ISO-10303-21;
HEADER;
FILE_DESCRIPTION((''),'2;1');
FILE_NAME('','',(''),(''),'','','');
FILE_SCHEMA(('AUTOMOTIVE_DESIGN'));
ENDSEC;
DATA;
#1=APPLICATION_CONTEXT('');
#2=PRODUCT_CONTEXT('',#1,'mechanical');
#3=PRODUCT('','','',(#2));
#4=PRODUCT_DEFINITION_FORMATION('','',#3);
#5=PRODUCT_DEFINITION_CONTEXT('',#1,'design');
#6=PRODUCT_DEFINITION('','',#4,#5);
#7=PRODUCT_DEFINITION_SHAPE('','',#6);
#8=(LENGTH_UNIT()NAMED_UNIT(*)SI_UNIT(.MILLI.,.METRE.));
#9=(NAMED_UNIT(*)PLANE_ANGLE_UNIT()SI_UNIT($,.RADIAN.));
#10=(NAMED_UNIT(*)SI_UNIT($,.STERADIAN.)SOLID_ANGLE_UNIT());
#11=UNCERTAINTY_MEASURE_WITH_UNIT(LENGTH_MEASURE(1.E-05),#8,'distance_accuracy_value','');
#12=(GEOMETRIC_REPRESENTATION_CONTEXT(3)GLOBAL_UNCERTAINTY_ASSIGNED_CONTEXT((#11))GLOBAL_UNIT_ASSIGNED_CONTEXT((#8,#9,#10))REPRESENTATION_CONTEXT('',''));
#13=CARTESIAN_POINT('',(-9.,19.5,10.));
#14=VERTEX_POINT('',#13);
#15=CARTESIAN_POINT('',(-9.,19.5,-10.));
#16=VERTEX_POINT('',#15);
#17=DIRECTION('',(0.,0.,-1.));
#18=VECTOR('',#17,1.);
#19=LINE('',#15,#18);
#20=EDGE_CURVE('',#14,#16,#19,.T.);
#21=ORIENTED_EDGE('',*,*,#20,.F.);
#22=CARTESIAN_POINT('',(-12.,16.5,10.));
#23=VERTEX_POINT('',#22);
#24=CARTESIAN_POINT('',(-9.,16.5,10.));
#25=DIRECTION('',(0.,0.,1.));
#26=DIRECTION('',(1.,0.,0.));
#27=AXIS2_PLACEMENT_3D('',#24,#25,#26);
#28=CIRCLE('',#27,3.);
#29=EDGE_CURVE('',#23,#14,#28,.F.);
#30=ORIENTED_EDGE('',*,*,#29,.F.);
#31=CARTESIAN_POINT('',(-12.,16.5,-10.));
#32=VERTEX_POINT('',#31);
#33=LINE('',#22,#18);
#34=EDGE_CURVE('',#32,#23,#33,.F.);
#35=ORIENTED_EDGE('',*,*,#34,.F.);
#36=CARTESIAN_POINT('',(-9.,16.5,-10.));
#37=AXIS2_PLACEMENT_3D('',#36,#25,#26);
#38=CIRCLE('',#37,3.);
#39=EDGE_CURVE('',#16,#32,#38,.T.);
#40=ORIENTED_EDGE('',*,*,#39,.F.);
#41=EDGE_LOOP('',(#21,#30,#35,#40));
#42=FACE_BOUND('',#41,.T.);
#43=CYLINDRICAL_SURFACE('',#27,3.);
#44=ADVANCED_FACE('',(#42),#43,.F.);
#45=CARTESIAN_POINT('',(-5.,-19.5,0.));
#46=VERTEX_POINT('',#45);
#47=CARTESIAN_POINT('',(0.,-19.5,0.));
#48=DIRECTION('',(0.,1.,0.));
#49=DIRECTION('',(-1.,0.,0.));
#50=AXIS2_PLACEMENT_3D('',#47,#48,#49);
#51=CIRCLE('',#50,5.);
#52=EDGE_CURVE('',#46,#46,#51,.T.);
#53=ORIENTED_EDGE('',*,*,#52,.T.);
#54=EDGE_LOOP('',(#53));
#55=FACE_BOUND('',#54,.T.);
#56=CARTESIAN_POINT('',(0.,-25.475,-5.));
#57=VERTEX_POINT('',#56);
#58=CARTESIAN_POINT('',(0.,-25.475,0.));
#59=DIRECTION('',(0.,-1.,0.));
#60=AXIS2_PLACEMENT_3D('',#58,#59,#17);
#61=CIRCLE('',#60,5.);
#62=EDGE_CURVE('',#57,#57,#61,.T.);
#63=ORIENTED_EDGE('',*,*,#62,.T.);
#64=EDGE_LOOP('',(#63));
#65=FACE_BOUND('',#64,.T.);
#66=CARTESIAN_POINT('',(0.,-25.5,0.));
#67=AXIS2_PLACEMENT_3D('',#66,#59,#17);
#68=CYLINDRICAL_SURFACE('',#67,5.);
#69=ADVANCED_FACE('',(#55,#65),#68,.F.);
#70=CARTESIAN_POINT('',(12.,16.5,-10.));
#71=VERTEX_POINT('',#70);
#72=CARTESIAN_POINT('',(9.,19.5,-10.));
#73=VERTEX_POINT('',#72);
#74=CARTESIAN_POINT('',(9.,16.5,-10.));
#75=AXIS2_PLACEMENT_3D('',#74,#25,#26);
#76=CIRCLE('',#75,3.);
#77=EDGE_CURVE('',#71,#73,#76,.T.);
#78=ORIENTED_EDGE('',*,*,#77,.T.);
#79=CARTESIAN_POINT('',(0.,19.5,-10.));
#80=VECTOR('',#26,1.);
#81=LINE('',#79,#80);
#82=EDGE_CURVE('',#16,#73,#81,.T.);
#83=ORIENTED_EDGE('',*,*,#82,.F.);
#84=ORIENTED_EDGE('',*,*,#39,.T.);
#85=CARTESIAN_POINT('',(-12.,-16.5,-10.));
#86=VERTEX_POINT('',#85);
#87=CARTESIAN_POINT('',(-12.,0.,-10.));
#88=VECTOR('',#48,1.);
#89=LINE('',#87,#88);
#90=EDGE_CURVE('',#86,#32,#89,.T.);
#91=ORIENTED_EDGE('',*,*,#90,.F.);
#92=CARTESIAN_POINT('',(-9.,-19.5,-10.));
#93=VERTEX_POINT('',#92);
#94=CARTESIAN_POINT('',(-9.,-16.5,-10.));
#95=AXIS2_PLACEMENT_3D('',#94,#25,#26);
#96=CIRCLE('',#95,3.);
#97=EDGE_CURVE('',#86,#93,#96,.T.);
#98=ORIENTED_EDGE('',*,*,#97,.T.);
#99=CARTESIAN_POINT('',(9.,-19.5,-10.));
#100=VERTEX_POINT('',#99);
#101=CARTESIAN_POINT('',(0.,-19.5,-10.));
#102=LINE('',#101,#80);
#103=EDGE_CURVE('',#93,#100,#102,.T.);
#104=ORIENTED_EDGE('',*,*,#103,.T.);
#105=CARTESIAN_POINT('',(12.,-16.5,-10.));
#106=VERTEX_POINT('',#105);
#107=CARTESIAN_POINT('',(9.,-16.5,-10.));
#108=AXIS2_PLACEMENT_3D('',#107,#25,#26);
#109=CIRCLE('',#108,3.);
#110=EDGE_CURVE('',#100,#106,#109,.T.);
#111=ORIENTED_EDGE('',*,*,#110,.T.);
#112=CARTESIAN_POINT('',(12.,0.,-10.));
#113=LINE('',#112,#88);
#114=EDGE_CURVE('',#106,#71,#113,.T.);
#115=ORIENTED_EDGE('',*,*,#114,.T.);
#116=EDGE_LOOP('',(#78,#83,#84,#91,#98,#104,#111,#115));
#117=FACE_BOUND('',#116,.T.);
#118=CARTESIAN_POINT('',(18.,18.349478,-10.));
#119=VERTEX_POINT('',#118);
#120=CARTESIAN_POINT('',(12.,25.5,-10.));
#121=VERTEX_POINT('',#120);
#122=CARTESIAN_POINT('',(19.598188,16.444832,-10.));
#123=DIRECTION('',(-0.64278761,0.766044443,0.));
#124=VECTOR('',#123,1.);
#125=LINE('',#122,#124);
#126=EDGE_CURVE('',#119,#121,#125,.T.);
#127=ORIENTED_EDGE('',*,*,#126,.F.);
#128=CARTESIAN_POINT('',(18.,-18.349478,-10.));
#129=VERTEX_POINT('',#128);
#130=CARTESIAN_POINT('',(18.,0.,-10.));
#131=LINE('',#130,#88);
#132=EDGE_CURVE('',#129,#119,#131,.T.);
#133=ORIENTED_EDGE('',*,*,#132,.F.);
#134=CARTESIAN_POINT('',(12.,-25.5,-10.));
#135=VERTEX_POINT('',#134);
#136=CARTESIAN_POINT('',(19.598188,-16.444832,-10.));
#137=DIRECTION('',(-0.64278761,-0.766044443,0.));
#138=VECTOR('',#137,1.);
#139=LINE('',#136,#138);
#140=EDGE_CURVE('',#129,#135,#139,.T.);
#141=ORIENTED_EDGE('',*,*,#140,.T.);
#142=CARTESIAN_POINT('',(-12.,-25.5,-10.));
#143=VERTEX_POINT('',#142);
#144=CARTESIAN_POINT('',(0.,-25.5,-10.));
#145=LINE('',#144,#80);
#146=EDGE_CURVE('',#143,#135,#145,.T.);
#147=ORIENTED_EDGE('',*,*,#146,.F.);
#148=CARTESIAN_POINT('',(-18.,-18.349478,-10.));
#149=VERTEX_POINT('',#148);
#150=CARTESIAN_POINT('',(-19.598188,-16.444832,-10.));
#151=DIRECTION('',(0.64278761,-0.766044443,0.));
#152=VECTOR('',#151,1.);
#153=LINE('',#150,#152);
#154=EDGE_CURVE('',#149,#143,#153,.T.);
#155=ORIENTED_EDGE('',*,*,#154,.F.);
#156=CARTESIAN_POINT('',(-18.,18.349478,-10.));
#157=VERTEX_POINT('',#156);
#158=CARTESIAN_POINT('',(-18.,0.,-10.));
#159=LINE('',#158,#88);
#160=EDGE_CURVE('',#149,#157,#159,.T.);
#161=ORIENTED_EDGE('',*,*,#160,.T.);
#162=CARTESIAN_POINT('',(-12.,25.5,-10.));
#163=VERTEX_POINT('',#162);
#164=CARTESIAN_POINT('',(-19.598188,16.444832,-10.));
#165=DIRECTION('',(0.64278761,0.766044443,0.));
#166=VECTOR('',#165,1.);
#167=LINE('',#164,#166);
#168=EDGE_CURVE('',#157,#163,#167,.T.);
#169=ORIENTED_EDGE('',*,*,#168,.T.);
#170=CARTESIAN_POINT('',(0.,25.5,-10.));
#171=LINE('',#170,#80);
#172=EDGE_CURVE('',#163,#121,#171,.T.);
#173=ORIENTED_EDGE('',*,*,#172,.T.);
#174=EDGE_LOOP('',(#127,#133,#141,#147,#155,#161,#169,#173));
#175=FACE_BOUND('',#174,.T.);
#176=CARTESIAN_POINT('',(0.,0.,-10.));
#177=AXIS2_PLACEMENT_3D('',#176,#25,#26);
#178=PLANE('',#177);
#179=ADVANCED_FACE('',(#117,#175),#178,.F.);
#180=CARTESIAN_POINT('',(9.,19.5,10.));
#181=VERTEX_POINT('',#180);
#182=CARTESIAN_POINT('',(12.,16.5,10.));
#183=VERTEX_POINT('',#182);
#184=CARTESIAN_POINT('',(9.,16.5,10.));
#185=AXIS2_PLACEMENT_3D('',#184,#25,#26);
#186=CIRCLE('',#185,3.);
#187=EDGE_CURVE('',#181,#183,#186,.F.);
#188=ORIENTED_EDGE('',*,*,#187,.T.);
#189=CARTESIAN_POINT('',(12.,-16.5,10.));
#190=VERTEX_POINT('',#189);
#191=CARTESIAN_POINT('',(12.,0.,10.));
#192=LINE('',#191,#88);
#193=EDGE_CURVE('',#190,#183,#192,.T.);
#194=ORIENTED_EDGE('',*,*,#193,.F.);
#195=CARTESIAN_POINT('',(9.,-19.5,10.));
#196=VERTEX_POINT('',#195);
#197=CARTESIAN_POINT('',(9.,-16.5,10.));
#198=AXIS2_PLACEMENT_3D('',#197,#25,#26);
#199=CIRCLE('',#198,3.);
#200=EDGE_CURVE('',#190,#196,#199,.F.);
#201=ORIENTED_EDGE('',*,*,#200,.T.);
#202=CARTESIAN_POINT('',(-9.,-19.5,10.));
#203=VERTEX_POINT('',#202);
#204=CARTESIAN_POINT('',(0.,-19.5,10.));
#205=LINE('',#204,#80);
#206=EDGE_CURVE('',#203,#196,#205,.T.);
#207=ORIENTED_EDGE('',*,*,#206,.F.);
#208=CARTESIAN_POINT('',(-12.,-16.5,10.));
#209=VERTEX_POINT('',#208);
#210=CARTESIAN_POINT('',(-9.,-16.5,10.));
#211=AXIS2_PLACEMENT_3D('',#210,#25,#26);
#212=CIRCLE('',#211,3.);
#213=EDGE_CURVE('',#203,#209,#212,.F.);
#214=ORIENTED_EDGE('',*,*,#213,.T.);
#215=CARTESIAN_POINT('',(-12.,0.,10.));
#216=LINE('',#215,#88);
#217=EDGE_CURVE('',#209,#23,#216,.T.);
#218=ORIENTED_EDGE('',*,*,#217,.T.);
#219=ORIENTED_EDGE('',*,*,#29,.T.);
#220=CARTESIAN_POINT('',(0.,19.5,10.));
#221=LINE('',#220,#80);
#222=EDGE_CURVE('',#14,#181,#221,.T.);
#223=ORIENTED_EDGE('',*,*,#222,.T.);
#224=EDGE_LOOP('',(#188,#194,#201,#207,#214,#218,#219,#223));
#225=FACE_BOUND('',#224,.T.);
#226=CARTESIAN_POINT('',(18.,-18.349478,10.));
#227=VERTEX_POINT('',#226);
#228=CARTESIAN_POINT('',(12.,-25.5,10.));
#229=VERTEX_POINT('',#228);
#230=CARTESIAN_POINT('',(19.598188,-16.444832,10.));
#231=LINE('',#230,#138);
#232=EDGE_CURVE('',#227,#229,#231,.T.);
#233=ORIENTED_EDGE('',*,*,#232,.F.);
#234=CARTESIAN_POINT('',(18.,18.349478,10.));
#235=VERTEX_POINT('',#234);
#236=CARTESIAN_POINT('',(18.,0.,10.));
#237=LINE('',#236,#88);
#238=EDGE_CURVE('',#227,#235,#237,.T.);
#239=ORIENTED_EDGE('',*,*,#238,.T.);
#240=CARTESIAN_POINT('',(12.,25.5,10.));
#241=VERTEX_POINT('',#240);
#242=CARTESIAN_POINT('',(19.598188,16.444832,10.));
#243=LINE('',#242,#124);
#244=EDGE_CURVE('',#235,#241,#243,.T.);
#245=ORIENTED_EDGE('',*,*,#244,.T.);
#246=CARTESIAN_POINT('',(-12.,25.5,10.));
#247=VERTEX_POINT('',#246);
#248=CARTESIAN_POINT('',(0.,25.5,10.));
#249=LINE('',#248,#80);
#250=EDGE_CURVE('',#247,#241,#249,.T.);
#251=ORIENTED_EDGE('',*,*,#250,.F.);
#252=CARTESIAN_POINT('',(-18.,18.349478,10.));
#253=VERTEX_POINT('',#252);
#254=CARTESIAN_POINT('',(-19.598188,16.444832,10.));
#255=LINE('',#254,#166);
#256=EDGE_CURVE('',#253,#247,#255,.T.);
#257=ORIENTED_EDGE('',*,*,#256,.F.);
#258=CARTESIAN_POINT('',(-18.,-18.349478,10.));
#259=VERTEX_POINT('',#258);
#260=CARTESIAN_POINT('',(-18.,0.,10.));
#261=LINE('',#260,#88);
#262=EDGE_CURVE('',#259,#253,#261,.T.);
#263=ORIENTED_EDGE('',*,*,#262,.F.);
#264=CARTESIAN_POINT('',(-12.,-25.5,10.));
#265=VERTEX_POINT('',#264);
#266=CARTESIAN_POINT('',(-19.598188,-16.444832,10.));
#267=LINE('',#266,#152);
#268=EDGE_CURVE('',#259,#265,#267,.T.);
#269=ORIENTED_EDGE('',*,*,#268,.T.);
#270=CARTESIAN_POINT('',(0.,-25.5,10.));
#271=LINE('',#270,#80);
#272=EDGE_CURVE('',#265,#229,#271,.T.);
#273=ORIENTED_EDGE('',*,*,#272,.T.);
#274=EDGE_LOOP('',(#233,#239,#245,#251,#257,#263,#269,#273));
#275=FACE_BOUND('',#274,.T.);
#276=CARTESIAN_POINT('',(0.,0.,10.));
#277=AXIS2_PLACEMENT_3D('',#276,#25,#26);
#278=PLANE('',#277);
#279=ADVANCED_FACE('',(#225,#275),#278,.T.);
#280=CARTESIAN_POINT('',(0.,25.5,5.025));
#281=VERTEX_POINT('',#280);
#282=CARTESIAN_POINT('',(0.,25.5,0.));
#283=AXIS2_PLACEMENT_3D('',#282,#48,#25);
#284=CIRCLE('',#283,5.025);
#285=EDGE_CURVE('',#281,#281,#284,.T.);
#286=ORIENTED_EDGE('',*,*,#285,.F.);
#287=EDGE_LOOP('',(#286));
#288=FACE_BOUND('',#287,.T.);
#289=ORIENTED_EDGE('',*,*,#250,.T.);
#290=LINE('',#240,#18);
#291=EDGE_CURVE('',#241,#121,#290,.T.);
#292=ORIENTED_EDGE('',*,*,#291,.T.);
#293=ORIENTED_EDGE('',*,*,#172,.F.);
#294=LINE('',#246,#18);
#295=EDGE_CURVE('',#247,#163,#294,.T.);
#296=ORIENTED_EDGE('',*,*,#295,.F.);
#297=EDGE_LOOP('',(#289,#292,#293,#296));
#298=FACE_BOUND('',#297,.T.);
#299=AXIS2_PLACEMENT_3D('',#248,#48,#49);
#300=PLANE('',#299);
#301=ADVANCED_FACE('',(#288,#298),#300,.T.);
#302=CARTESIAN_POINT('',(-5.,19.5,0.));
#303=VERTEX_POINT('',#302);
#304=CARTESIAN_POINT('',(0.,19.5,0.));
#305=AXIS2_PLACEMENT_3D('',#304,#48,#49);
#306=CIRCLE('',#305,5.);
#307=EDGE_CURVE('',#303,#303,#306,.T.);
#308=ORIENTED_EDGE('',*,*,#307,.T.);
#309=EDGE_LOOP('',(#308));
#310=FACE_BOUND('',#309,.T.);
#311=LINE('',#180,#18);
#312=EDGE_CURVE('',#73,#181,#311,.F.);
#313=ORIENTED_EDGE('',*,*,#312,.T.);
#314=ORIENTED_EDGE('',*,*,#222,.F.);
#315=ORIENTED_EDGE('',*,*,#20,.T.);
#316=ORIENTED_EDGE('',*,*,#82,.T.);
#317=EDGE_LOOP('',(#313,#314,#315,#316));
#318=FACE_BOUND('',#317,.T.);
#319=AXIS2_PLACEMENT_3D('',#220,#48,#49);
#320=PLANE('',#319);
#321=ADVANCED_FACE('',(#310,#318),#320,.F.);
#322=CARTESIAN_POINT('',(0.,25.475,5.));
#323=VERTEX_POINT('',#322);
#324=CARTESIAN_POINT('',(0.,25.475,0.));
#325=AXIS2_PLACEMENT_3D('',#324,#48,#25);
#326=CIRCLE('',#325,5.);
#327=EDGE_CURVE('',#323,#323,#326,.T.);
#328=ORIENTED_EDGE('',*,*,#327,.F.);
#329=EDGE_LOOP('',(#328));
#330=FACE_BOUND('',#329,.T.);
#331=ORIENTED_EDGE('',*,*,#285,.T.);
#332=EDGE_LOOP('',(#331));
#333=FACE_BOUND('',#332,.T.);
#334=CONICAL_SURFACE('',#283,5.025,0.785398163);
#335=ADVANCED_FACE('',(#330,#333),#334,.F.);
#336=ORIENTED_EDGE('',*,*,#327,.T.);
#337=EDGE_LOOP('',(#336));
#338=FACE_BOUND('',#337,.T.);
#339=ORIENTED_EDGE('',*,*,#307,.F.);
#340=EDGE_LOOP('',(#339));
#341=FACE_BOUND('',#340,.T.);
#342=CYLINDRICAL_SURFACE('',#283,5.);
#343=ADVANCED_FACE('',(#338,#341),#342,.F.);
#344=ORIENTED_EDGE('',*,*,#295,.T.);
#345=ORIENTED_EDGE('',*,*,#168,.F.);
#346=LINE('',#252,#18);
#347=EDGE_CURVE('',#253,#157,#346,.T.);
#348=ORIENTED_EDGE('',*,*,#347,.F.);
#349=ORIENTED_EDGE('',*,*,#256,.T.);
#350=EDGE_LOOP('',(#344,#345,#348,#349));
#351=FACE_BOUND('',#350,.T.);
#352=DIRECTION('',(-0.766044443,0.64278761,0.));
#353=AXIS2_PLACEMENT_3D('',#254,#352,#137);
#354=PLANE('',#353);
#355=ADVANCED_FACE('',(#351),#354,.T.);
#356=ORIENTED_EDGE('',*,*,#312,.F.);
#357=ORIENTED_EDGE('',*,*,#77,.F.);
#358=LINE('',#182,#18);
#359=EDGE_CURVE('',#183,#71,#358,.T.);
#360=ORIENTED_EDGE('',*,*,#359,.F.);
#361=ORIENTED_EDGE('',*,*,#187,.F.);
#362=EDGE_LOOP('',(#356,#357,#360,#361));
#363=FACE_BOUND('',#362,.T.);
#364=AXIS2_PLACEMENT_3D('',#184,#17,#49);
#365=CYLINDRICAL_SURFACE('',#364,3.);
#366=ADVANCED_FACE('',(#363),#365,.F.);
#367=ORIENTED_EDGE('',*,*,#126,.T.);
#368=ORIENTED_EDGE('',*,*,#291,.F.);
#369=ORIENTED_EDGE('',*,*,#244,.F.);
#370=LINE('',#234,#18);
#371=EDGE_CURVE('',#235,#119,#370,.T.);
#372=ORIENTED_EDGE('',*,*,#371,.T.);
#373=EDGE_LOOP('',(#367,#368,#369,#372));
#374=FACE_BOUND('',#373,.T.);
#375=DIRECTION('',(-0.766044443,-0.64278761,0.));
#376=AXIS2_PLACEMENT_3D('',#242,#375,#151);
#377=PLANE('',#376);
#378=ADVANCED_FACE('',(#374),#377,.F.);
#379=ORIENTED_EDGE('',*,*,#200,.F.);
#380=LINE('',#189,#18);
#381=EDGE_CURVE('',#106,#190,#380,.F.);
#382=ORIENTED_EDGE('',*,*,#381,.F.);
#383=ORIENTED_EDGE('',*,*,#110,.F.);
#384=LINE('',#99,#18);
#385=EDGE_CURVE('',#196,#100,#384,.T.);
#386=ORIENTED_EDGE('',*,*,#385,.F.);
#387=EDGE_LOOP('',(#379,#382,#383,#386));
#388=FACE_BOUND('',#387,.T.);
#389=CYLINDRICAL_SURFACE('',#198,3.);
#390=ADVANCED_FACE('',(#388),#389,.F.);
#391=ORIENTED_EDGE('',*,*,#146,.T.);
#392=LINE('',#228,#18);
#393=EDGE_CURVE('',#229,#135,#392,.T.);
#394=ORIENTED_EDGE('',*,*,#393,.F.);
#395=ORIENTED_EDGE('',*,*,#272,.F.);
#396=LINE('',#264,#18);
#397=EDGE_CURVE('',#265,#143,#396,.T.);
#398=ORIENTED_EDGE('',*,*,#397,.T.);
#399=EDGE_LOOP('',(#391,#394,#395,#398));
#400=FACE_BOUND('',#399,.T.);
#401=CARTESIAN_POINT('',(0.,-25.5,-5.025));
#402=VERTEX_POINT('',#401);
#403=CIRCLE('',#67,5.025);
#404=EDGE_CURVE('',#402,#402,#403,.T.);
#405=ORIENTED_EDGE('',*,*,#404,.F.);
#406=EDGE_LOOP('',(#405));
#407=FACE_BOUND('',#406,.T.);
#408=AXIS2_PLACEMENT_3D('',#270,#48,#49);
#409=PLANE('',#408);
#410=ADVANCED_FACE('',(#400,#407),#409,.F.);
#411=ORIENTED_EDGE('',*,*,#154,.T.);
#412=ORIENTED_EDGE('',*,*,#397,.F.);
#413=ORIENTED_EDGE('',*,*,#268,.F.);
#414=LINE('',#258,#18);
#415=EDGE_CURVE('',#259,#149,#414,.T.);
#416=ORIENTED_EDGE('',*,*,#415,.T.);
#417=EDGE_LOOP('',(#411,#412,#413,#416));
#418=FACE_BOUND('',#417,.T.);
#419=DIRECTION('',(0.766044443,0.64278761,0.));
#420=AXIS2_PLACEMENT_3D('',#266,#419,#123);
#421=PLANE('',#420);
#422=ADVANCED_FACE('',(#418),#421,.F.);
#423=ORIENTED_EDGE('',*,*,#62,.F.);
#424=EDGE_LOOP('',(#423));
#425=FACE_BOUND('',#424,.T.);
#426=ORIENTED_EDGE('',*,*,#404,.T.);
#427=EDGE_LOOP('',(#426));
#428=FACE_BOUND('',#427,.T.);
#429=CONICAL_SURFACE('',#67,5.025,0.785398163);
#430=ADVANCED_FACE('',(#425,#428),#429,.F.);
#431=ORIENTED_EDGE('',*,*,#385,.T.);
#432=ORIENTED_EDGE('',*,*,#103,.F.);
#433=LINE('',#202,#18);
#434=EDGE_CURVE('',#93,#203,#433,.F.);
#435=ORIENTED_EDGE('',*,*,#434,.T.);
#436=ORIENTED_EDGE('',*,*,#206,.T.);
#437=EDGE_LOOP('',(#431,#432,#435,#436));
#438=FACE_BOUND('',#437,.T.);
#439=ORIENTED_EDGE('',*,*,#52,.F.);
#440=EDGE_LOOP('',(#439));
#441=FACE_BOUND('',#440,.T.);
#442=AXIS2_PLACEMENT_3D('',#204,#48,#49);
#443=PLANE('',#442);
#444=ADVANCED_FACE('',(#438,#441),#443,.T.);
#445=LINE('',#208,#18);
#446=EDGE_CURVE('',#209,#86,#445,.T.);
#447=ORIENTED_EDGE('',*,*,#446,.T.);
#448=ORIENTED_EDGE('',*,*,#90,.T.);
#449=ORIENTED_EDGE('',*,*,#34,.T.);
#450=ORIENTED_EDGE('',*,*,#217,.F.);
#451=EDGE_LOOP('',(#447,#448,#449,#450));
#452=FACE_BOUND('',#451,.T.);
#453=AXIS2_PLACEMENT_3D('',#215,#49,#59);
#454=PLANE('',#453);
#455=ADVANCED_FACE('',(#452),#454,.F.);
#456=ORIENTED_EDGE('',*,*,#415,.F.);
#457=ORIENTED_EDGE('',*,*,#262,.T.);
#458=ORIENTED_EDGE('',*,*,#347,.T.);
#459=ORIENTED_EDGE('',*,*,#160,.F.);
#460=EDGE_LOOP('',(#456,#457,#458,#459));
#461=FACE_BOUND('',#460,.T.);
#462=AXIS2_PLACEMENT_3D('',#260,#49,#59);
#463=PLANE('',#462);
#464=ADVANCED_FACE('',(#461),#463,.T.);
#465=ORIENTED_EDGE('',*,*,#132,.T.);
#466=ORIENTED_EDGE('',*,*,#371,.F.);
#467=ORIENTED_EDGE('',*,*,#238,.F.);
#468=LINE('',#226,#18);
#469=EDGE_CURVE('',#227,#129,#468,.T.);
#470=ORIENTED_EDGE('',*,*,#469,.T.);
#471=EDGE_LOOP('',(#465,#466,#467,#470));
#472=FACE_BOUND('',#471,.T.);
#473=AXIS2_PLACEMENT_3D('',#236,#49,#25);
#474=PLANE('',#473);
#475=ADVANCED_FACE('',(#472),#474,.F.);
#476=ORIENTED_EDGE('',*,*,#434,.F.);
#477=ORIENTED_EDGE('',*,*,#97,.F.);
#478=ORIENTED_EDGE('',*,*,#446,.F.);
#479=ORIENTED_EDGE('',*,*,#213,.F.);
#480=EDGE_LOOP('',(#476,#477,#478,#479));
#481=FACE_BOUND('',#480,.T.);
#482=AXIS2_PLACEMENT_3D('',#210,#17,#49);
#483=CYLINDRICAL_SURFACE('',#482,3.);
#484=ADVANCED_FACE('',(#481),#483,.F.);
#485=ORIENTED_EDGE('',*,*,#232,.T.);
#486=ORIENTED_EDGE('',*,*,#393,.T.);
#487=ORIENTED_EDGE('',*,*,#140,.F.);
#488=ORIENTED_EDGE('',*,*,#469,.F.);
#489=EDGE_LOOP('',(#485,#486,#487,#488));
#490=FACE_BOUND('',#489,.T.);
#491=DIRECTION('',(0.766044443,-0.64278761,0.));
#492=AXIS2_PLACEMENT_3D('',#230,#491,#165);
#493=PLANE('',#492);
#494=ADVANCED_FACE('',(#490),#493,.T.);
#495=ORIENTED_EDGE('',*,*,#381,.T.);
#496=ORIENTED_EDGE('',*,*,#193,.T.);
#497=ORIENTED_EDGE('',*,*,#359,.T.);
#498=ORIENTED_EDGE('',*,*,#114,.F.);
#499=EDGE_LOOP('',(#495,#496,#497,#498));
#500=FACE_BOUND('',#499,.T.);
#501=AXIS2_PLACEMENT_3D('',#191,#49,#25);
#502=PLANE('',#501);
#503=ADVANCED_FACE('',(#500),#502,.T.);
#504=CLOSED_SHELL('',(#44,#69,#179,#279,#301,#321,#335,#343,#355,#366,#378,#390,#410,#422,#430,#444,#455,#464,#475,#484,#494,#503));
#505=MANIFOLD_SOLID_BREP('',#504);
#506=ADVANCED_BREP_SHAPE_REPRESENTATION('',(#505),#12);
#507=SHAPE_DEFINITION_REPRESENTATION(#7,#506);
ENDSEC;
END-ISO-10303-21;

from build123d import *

# Parameters (mm, degrees)
SKETCH1_W                        = 24
SKETCH1_H                        = 39
BOSS_EXTRUDE1_DEPTH              = 10
F_10_0MM_DOWEL_HOLE1_D           = 10
F_10_0MM_DOWEL_HOLE1_DEPTH       = 24.5
F_10_0MM_DOWEL_HOLE1_CSINK_D     = 10.05
F_10_0MM_DOWEL_HOLE1_CSINK_ANGLE = 90
F_10_0MM_DOWEL_HOLE1_TIP         = 3.004303095
F_10_0MM_DOWEL_HOLE2_D           = 10
F_10_0MM_DOWEL_HOLE2_DEPTH       = 24.5
F_10_0MM_DOWEL_HOLE2_CSINK_D     = 10.05
F_10_0MM_DOWEL_HOLE2_CSINK_ANGLE = 90
F_10_0MM_DOWEL_HOLE2_TIP         = 3.004303095
FILLET1_R                        = 3


with BuildPart() as part:
    # Sketch1 → Boss-Extrude1 (new, symmetric)
    with BuildSketch(Plane.XY):
        Polygon((-18, -18.349478444), (-18, 18.349478444), (-12, 25.5), (12, 25.5), (18, 18.349478444), (18, -18.349478444), (12, -25.5), (-12, -25.5), align=None)
        Rectangle(SKETCH1_W, SKETCH1_H, mode=Mode.SUBTRACT)
    extrude(amount=BOSS_EXTRUDE1_DEPTH, both=True)

    # Ø10.0mm Dowel Hole1
    with Locations(Plane(origin=(0, 25.5, 0), x_dir=(1, 0, 0), z_dir=(0, 1, 0))):
        with Locations((0, 0)):
            CounterSinkHole(F_10_0MM_DOWEL_HOLE1_D / 2, F_10_0MM_DOWEL_HOLE1_CSINK_D / 2, depth=F_10_0MM_DOWEL_HOLE1_DEPTH, counter_sink_angle=F_10_0MM_DOWEL_HOLE1_CSINK_ANGLE)
            with Locations((0, 0, -(F_10_0MM_DOWEL_HOLE1_DEPTH + F_10_0MM_DOWEL_HOLE1_TIP / 2))):  # 118° drill point
                Cone(0, F_10_0MM_DOWEL_HOLE1_D / 2, F_10_0MM_DOWEL_HOLE1_TIP, mode=Mode.SUBTRACT)

    # Ø10.0mm Dowel Hole2
    with Locations(Plane(origin=(0, -25.5, 0), x_dir=(-1, 0, 0), z_dir=(0, -1, 0))):
        with Locations((0, 0)):
            CounterSinkHole(F_10_0MM_DOWEL_HOLE2_D / 2, F_10_0MM_DOWEL_HOLE2_CSINK_D / 2, depth=F_10_0MM_DOWEL_HOLE2_DEPTH, counter_sink_angle=F_10_0MM_DOWEL_HOLE2_CSINK_ANGLE)
            with Locations((0, 0, -(F_10_0MM_DOWEL_HOLE2_DEPTH + F_10_0MM_DOWEL_HOLE2_TIP / 2))):  # 118° drill point
                Cone(0, F_10_0MM_DOWEL_HOLE2_D / 2, F_10_0MM_DOWEL_HOLE2_TIP, mode=Mode.SUBTRACT)

    # Fillet1
    fillet1_edges = [part.edges().sort_by_distance(p)[0] for p in [
        (12, -19.5, 0),
        (12, 19.5, 0),
        (-12, 19.5, 0),
        (-12, -19.5, 0),
    ]]
    fillet(fillet1_edges, radius=FILLET1_R)


solid = part.part
